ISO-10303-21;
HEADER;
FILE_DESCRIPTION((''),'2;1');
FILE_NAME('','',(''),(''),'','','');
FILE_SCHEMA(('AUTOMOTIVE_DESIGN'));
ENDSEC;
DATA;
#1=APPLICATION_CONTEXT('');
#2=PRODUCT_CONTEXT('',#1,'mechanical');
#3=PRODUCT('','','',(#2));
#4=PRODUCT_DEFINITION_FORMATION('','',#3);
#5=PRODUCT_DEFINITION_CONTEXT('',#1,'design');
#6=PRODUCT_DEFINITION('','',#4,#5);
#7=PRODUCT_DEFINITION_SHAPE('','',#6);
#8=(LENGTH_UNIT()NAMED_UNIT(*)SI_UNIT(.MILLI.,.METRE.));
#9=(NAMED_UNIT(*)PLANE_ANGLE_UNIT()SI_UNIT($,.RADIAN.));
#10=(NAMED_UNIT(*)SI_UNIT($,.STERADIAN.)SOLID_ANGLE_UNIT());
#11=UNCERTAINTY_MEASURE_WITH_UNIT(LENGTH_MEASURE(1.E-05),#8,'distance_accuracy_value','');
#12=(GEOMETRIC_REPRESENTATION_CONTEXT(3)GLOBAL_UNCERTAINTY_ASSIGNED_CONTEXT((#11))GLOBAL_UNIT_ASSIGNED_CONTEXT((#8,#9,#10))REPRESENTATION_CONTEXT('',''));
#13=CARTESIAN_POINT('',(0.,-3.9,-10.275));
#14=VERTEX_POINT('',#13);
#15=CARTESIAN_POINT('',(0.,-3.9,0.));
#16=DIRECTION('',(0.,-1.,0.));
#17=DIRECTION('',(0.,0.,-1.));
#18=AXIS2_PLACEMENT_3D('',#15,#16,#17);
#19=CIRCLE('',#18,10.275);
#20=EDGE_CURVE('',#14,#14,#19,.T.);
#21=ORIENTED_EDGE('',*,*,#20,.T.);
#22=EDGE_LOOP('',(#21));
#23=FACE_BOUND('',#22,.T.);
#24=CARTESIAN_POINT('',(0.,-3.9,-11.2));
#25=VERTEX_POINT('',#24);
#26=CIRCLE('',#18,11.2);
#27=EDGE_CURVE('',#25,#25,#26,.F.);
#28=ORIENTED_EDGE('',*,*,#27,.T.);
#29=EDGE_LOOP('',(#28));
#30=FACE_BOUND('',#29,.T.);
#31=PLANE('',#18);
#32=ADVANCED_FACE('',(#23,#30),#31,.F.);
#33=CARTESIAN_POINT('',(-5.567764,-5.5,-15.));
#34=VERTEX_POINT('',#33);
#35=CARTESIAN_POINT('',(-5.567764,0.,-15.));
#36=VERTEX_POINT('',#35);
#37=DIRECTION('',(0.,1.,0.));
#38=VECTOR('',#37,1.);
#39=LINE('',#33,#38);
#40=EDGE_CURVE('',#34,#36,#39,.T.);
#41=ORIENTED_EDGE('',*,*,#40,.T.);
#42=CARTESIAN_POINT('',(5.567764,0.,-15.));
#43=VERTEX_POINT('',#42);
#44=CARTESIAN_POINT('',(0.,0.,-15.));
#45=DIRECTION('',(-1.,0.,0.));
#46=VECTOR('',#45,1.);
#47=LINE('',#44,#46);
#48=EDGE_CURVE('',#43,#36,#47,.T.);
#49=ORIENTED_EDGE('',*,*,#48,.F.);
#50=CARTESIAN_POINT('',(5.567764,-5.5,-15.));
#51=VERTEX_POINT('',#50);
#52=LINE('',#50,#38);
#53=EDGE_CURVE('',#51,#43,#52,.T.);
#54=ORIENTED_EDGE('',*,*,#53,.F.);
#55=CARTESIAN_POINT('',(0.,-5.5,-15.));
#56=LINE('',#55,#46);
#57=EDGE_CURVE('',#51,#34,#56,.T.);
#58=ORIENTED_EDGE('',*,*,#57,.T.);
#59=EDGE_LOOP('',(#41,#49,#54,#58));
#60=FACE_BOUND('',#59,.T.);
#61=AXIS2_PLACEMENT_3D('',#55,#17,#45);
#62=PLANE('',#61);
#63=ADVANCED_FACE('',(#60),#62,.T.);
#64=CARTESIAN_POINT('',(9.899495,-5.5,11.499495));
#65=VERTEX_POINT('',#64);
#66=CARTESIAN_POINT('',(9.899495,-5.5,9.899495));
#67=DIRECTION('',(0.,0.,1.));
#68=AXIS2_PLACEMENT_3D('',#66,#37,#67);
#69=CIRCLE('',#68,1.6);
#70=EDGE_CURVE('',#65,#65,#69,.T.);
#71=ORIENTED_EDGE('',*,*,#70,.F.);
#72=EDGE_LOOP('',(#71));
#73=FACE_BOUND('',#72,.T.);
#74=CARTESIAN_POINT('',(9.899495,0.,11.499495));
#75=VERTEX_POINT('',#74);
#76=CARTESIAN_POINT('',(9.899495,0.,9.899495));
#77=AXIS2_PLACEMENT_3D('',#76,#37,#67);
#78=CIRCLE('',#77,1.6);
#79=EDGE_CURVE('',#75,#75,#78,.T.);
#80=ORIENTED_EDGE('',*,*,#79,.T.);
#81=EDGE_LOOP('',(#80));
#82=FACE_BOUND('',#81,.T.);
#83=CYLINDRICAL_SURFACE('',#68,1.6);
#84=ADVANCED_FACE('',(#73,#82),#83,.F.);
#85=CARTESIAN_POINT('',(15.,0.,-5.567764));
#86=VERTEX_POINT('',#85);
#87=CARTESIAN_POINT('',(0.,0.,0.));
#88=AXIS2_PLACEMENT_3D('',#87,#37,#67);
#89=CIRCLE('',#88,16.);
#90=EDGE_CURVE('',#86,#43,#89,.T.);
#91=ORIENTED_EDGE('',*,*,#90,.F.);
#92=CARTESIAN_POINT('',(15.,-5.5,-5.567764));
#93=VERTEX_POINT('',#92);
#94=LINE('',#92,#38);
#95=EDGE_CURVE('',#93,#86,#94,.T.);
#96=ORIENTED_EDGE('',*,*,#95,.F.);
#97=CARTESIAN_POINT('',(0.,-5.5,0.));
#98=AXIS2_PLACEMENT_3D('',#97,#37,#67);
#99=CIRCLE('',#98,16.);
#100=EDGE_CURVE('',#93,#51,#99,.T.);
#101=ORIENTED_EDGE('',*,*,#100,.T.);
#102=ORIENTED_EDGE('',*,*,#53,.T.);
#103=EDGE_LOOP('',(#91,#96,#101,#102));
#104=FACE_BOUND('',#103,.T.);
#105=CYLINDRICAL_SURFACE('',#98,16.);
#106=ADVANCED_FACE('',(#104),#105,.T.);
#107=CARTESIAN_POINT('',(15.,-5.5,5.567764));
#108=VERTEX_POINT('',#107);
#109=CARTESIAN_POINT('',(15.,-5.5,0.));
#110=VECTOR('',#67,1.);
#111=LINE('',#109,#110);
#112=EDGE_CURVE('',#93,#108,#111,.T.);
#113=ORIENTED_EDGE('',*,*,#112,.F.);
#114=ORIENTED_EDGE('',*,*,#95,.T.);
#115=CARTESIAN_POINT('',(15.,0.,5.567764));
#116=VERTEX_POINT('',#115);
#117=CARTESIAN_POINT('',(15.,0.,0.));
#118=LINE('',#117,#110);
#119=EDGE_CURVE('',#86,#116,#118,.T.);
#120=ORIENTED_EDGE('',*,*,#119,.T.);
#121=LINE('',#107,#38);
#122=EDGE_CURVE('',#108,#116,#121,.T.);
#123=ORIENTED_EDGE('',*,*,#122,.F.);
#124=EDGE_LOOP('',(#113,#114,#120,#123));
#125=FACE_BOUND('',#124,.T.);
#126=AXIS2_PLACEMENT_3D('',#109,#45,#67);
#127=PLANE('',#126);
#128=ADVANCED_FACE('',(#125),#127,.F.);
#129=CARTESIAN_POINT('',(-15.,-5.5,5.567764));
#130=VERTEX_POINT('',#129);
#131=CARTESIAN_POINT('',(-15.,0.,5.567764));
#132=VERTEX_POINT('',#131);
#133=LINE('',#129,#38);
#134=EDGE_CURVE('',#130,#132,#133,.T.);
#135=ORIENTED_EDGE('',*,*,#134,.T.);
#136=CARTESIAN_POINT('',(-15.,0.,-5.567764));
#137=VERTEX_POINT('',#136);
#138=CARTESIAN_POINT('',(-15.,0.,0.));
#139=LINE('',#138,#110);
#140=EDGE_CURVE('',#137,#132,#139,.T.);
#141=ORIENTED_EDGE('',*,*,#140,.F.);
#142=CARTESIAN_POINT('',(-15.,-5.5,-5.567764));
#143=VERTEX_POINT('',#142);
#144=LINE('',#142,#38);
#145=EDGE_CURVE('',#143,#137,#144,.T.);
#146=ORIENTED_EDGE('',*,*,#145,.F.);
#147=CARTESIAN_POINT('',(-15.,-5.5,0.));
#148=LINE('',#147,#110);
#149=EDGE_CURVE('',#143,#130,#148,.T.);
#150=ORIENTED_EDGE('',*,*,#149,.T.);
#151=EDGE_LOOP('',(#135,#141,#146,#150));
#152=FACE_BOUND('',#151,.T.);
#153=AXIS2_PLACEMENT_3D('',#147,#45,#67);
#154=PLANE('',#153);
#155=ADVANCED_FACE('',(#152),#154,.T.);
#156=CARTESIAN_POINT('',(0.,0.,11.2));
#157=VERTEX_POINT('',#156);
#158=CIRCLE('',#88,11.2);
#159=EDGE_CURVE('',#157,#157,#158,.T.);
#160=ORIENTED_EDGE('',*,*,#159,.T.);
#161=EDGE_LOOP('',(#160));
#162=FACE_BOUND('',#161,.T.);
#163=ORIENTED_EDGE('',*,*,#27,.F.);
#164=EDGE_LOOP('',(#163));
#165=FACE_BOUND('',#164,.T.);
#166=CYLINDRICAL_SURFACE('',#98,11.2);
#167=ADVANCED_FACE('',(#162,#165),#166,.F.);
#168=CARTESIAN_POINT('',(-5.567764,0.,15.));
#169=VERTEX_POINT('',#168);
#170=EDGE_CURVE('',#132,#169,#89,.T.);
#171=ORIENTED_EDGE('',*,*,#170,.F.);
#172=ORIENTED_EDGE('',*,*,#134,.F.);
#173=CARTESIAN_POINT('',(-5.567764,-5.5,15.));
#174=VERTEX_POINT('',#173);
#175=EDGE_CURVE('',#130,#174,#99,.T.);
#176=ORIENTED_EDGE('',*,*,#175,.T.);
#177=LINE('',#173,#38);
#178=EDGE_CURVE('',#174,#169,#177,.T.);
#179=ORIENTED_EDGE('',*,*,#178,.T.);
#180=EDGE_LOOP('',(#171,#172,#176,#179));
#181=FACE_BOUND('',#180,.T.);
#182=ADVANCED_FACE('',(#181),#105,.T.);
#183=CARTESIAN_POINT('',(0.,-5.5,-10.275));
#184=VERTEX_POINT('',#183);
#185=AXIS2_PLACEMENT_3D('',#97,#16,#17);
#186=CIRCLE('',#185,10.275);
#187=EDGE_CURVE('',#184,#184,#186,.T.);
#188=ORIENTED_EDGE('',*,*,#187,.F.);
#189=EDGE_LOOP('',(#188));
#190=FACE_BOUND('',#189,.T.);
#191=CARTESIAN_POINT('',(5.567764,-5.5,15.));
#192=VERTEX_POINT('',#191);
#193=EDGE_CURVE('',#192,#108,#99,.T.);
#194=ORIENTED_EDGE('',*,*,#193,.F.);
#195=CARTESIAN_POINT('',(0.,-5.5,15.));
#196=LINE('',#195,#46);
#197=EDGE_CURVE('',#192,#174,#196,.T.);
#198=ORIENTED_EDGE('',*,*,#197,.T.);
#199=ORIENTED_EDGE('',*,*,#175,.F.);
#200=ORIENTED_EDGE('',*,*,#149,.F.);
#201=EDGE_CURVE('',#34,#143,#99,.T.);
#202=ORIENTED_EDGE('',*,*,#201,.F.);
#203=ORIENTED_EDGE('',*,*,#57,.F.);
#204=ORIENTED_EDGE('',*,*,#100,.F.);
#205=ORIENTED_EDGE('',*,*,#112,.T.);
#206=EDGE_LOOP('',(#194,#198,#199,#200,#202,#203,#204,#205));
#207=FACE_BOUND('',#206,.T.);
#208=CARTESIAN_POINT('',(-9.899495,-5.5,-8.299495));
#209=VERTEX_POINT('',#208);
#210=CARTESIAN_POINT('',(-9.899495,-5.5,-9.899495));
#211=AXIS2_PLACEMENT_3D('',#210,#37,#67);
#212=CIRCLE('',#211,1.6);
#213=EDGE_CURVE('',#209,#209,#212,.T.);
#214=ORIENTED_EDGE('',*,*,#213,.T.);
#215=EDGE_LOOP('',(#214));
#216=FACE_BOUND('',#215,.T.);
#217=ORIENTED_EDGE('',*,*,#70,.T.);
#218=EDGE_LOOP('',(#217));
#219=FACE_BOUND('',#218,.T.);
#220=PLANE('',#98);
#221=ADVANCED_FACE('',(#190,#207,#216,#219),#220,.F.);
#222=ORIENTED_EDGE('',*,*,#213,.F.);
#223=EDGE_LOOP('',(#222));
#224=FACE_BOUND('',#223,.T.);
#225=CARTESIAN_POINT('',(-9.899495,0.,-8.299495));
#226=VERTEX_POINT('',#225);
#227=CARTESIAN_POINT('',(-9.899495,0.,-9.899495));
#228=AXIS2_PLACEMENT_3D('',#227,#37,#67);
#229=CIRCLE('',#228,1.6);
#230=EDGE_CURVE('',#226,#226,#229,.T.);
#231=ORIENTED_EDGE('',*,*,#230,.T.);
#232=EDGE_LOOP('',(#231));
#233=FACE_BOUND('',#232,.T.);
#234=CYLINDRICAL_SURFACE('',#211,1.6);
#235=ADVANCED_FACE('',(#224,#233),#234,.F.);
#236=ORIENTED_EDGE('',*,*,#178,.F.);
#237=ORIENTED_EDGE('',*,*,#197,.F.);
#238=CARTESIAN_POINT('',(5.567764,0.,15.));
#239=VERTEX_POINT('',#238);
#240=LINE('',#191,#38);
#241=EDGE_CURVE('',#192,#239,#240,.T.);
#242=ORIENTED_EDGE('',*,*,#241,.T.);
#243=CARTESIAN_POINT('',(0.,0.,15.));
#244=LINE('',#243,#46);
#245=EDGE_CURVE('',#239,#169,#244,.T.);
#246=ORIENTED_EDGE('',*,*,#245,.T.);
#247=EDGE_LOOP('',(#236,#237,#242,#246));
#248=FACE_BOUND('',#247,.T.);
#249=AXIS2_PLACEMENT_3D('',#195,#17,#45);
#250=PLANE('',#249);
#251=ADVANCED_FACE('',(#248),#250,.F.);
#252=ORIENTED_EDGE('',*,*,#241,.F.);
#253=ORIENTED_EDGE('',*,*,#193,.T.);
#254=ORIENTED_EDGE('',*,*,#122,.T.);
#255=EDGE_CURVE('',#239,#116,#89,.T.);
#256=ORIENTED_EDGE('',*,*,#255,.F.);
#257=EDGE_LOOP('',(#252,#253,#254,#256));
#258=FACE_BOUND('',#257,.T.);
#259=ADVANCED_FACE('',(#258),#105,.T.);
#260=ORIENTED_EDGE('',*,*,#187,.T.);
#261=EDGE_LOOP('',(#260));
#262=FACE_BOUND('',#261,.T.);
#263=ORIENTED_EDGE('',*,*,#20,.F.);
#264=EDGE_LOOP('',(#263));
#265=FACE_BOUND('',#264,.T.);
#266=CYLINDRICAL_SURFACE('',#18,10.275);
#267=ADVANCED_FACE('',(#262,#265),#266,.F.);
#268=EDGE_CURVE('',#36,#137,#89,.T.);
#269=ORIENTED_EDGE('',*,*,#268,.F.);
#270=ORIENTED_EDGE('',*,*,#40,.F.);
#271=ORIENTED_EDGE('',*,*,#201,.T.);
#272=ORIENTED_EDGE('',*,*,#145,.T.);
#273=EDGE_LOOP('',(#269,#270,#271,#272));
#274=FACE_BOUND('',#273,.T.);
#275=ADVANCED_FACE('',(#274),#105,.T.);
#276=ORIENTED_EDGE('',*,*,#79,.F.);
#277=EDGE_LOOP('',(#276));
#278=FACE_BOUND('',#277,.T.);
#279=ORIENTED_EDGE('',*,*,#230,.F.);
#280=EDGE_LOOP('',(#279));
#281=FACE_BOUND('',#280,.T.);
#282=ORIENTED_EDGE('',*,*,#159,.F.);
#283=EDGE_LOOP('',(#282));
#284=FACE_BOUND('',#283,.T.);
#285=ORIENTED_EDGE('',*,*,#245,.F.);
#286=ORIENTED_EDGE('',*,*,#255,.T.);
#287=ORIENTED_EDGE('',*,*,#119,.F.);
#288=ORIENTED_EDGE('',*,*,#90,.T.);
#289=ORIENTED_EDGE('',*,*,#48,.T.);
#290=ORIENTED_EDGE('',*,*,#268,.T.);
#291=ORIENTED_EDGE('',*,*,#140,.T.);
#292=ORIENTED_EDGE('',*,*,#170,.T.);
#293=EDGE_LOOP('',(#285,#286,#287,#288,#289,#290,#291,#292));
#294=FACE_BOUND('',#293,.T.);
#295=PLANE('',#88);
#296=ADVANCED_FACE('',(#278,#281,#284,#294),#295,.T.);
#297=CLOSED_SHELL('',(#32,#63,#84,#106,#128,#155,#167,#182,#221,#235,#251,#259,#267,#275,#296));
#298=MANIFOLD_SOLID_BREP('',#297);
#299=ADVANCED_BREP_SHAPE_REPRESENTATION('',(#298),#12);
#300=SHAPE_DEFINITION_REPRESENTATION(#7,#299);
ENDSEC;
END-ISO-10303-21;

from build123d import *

# Parameters (mm, degrees)
BOSS_EXTRUDE1_DEPTH = 5.5
SKETCH2_R           = 11.2
CUT_EXTRUDE1_DEPTH  = 22.914607001
SKETCH3_R           = 1.6
CUT_EXTRUDE2_DEPTH  = 22.914607001
BOSS_EXTRUDE2_START = -1.6
SKETCH4_R           = 11.2
SKETCH4_R_2         = 10.275
BOSS_EXTRUDE2_DEPTH = 1.6


with BuildPart() as part:
    # Sketch1 → Boss-Extrude1 (new body)
    with BuildSketch(Plane(origin=(0, 0, 0), x_dir=(1, 0, 0), z_dir=(0, 1, 0))):
        with BuildLine():
            ThreePointArc((15, 5.567764363), (11.313708499, 11.313708499), (5.567764363, 15))
            Line((5.567764363, 15), (-5.567764363, 15))
            ThreePointArc((-5.567764363, 15), (-11.313708499, 11.313708499), (-15, 5.567764363))
            Line((-15, 5.567764363), (-15, -5.567764363))
            ThreePointArc((-15, -5.567764363), (-11.313708499, -11.313708499), (-5.567764363, -15))
            Line((-5.567764363, -15), (5.567764363, -15))
            ThreePointArc((5.567764363, -15), (11.313708499, -11.313708499), (15, -5.567764363))
            Line((15, -5.567764363), (15, 5.567764363))
        make_face()
    extrude(amount=-BOSS_EXTRUDE1_DEPTH)

    # Sketch2 → Cut-Extrude1 (cut, through all)
    with BuildSketch(Plane(origin=(0, 0, 0), x_dir=(1, 0, 0), z_dir=(0, 1, 0))):
        with Locations(Location((0, 0, 0), (0, 0, 270))):
            Circle(SKETCH2_R)
    extrude(amount=-CUT_EXTRUDE1_DEPTH, mode=Mode.SUBTRACT)

    # Sketch3 → Cut-Extrude2 (cut, through all)
    with BuildSketch(Plane(origin=(0, 0, 0), x_dir=(1, 0, 0), z_dir=(0, 1, 0))):
        with Locations(Location((-9.899494937, 9.899494937, 0), (0, 0, 270))):
            Circle(SKETCH3_R)
        with Locations(Location((9.899494937, -9.899494937, 0), (0, 0, 270))):
            Circle(SKETCH3_R)
    extrude(amount=-CUT_EXTRUDE2_DEPTH, mode=Mode.SUBTRACT)

    # Sketch4 → Boss-Extrude2 (add)
    with BuildSketch(Plane.XZ.offset(5.5).offset(BOSS_EXTRUDE2_START)):
        with Locations(Location((0, 0, 0), (0, 0, 90))):
            Circle(SKETCH4_R)
        with Locations(Location((0, 0, 0), (0, 0, 270))):
            Circle(SKETCH4_R_2, mode=Mode.SUBTRACT)
    extrude(amount=BOSS_EXTRUDE2_DEPTH)


solid = part.part
